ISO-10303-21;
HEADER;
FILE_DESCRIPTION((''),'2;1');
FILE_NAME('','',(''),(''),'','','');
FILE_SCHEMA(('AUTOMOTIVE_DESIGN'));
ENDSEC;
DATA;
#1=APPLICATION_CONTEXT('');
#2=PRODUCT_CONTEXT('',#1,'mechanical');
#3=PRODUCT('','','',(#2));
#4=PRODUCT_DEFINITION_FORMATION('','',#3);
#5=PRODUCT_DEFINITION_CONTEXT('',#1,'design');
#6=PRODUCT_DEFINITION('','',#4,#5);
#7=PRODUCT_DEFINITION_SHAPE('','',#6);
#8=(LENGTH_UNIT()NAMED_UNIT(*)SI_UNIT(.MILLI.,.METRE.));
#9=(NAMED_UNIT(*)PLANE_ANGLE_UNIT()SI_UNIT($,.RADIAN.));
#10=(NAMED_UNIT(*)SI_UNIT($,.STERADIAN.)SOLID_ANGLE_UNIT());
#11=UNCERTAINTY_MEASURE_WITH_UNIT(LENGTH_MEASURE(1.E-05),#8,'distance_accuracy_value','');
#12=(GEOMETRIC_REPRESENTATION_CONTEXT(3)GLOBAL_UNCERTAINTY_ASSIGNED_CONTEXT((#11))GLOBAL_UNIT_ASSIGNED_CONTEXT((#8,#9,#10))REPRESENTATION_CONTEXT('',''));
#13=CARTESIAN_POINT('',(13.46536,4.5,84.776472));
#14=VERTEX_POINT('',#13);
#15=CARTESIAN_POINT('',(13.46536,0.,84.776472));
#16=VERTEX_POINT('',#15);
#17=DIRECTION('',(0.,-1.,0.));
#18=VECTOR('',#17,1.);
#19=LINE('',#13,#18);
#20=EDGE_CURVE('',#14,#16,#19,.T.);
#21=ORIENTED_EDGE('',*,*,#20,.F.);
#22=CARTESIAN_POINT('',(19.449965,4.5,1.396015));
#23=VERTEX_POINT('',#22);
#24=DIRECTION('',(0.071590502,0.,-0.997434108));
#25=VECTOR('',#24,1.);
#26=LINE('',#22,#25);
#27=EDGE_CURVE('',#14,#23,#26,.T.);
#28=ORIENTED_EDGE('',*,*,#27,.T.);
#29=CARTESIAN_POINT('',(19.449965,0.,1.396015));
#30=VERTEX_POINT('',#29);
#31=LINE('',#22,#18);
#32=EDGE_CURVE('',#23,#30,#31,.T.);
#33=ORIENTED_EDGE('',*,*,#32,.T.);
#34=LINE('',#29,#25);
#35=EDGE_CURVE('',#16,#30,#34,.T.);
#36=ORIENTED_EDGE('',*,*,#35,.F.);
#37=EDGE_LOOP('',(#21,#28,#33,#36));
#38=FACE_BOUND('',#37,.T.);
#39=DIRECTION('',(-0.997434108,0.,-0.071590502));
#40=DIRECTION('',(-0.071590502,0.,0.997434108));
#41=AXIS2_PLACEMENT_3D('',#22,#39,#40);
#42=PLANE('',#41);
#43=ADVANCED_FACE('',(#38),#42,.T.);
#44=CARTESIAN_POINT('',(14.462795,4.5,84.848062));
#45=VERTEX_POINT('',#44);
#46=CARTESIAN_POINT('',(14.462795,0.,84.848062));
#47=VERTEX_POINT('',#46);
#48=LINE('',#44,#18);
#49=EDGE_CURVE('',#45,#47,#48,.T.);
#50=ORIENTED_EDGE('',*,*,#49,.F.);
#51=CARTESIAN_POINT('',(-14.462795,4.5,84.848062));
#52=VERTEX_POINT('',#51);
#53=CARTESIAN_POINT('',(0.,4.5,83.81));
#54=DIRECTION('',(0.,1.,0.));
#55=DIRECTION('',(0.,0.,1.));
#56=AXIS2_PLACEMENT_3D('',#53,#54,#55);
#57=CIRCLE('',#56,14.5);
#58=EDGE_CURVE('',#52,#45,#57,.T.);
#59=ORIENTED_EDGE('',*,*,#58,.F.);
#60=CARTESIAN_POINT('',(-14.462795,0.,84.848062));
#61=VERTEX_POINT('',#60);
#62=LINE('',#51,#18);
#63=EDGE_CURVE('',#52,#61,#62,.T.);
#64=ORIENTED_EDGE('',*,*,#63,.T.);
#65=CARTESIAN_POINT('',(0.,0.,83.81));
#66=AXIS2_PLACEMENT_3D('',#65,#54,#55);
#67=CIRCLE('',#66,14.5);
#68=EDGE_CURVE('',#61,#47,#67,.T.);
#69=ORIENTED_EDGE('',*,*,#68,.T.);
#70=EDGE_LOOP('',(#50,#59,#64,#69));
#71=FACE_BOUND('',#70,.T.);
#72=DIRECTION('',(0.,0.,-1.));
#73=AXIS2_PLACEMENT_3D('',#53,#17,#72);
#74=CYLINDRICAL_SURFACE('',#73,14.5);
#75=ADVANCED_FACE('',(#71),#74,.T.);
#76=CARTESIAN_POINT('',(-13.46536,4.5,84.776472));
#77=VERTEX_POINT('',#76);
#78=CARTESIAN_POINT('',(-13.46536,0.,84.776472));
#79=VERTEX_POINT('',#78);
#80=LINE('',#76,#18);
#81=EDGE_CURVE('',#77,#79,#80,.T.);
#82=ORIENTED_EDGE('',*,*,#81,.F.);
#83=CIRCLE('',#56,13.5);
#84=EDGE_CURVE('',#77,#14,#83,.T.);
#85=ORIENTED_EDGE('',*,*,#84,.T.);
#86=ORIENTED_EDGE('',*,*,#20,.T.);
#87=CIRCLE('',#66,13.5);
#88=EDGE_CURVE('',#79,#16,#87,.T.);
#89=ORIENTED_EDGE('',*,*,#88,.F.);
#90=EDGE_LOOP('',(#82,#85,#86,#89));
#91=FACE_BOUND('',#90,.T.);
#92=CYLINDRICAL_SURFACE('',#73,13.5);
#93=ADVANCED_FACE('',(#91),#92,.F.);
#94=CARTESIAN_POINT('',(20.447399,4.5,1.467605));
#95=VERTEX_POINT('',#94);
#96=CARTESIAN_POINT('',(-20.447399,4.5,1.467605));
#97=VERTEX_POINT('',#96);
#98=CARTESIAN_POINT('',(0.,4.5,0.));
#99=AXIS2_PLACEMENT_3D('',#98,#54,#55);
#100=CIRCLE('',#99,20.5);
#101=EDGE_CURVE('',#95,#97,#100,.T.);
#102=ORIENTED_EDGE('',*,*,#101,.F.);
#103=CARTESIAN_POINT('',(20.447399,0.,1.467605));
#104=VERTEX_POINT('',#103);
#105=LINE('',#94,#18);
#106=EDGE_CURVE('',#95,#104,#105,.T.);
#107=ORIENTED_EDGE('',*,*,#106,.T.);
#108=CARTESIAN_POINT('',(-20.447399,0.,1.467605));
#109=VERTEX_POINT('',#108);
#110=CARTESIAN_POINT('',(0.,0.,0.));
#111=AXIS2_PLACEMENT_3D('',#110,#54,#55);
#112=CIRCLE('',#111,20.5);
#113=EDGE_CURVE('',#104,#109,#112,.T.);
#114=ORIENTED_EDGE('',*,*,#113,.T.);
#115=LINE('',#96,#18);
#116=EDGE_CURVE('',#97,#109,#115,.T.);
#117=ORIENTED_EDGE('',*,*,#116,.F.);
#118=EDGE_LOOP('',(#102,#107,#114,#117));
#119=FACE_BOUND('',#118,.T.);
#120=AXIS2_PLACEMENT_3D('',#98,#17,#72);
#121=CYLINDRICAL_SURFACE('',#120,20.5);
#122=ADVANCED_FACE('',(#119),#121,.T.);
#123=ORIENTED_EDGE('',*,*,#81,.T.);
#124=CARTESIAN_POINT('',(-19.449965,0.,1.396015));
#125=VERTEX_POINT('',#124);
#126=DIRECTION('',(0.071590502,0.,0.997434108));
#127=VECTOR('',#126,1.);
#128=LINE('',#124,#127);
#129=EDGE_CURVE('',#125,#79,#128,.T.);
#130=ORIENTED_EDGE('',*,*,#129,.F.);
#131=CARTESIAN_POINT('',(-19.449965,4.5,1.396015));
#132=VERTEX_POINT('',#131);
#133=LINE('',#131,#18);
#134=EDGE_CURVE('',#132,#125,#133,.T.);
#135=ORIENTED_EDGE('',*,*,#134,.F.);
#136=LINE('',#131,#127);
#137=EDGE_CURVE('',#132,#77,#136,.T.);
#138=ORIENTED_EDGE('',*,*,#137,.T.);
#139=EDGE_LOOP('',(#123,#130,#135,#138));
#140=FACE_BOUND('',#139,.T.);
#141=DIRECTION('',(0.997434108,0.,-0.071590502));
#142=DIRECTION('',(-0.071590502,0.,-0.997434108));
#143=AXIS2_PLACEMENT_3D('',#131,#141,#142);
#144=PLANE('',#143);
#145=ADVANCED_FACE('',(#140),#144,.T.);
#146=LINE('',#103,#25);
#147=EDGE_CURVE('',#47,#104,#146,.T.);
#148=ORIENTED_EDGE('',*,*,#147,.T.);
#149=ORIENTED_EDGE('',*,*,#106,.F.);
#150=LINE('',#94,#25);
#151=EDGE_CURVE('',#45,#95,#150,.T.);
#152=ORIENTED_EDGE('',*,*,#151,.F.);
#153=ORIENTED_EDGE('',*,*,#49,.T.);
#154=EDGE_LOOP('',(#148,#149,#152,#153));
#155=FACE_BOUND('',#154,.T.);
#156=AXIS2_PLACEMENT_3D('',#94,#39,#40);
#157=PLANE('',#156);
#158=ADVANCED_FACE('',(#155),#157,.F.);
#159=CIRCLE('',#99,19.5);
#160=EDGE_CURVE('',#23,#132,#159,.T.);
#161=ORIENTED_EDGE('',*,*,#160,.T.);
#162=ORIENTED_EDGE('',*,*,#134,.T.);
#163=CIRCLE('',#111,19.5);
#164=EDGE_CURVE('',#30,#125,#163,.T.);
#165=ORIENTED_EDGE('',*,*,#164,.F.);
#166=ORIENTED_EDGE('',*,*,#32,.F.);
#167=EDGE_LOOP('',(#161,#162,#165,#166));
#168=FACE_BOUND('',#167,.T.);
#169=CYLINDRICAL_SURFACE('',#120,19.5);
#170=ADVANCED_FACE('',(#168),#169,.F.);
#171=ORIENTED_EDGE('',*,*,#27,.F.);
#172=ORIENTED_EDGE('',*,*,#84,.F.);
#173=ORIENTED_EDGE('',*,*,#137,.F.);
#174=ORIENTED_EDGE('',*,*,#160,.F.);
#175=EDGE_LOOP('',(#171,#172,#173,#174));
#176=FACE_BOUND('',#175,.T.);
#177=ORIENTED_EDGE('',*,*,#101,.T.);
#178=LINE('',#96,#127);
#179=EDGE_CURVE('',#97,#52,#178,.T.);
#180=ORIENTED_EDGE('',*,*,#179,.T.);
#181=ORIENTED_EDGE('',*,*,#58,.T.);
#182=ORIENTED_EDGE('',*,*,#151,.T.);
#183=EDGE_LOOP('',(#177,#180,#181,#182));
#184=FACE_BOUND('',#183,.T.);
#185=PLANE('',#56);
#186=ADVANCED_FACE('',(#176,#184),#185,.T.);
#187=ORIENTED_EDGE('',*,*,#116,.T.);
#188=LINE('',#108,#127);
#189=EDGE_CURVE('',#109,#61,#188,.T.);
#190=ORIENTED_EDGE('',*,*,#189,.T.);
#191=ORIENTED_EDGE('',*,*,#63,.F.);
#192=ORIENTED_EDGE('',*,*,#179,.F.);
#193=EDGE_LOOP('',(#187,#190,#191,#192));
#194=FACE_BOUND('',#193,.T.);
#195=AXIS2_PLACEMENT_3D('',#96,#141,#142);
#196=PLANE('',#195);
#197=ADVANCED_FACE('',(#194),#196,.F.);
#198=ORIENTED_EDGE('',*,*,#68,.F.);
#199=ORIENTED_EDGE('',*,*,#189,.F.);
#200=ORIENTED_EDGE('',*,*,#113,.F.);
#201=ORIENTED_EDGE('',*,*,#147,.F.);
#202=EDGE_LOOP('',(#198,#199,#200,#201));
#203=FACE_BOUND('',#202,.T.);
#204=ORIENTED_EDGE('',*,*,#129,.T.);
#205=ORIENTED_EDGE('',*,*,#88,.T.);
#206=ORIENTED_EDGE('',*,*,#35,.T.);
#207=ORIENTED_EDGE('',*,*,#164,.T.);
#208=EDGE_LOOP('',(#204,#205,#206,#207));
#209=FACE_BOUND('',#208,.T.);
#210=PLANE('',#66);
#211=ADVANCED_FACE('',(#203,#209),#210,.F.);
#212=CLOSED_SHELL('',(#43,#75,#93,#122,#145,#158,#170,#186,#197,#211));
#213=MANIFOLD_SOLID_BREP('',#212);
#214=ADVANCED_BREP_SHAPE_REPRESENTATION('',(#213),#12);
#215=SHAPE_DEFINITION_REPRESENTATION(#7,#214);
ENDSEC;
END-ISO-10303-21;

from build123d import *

# Parameters (mm, degrees)
BOSS_EXTRUDE1_DEPTH = 4.5


with BuildPart() as part:
    # Sketch2 → Boss-Extrude1 (new body)
    with BuildSketch(Plane(origin=(0, 0, 0), x_dir=(1, 0, 0), z_dir=(0, 1, 0))):
        with BuildLine():
            Line((20.447399216, -1.467605298), (14.462794567, -84.848062284))
            ThreePointArc((14.462794567, -84.848062284), (0, -98.31), (-14.462794567, -84.848062284))
            Line((-14.462794567, -84.848062284), (-20.447399216, -1.467605298))
            ThreePointArc((-20.447399216, -1.467605298), (0, 20.5), (20.447399216, -1.467605298))
        make_face()
        with BuildLine():
            Line((-19.449965108, -1.396014795), (-13.465360459, -84.776471781))
            ThreePointArc((-13.465360459, -84.776471781), (0, -97.31), (13.465360459, -84.776471781))
            Line((13.465360459, -84.776471781), (19.449965108, -1.396014795))
            ThreePointArc((19.449965108, -1.396014795), (0, 19.5), (-19.449965108, -1.396014795))
        make_face(mode=Mode.SUBTRACT)
    extrude(amount=BOSS_EXTRUDE1_DEPTH)


solid = part.part
